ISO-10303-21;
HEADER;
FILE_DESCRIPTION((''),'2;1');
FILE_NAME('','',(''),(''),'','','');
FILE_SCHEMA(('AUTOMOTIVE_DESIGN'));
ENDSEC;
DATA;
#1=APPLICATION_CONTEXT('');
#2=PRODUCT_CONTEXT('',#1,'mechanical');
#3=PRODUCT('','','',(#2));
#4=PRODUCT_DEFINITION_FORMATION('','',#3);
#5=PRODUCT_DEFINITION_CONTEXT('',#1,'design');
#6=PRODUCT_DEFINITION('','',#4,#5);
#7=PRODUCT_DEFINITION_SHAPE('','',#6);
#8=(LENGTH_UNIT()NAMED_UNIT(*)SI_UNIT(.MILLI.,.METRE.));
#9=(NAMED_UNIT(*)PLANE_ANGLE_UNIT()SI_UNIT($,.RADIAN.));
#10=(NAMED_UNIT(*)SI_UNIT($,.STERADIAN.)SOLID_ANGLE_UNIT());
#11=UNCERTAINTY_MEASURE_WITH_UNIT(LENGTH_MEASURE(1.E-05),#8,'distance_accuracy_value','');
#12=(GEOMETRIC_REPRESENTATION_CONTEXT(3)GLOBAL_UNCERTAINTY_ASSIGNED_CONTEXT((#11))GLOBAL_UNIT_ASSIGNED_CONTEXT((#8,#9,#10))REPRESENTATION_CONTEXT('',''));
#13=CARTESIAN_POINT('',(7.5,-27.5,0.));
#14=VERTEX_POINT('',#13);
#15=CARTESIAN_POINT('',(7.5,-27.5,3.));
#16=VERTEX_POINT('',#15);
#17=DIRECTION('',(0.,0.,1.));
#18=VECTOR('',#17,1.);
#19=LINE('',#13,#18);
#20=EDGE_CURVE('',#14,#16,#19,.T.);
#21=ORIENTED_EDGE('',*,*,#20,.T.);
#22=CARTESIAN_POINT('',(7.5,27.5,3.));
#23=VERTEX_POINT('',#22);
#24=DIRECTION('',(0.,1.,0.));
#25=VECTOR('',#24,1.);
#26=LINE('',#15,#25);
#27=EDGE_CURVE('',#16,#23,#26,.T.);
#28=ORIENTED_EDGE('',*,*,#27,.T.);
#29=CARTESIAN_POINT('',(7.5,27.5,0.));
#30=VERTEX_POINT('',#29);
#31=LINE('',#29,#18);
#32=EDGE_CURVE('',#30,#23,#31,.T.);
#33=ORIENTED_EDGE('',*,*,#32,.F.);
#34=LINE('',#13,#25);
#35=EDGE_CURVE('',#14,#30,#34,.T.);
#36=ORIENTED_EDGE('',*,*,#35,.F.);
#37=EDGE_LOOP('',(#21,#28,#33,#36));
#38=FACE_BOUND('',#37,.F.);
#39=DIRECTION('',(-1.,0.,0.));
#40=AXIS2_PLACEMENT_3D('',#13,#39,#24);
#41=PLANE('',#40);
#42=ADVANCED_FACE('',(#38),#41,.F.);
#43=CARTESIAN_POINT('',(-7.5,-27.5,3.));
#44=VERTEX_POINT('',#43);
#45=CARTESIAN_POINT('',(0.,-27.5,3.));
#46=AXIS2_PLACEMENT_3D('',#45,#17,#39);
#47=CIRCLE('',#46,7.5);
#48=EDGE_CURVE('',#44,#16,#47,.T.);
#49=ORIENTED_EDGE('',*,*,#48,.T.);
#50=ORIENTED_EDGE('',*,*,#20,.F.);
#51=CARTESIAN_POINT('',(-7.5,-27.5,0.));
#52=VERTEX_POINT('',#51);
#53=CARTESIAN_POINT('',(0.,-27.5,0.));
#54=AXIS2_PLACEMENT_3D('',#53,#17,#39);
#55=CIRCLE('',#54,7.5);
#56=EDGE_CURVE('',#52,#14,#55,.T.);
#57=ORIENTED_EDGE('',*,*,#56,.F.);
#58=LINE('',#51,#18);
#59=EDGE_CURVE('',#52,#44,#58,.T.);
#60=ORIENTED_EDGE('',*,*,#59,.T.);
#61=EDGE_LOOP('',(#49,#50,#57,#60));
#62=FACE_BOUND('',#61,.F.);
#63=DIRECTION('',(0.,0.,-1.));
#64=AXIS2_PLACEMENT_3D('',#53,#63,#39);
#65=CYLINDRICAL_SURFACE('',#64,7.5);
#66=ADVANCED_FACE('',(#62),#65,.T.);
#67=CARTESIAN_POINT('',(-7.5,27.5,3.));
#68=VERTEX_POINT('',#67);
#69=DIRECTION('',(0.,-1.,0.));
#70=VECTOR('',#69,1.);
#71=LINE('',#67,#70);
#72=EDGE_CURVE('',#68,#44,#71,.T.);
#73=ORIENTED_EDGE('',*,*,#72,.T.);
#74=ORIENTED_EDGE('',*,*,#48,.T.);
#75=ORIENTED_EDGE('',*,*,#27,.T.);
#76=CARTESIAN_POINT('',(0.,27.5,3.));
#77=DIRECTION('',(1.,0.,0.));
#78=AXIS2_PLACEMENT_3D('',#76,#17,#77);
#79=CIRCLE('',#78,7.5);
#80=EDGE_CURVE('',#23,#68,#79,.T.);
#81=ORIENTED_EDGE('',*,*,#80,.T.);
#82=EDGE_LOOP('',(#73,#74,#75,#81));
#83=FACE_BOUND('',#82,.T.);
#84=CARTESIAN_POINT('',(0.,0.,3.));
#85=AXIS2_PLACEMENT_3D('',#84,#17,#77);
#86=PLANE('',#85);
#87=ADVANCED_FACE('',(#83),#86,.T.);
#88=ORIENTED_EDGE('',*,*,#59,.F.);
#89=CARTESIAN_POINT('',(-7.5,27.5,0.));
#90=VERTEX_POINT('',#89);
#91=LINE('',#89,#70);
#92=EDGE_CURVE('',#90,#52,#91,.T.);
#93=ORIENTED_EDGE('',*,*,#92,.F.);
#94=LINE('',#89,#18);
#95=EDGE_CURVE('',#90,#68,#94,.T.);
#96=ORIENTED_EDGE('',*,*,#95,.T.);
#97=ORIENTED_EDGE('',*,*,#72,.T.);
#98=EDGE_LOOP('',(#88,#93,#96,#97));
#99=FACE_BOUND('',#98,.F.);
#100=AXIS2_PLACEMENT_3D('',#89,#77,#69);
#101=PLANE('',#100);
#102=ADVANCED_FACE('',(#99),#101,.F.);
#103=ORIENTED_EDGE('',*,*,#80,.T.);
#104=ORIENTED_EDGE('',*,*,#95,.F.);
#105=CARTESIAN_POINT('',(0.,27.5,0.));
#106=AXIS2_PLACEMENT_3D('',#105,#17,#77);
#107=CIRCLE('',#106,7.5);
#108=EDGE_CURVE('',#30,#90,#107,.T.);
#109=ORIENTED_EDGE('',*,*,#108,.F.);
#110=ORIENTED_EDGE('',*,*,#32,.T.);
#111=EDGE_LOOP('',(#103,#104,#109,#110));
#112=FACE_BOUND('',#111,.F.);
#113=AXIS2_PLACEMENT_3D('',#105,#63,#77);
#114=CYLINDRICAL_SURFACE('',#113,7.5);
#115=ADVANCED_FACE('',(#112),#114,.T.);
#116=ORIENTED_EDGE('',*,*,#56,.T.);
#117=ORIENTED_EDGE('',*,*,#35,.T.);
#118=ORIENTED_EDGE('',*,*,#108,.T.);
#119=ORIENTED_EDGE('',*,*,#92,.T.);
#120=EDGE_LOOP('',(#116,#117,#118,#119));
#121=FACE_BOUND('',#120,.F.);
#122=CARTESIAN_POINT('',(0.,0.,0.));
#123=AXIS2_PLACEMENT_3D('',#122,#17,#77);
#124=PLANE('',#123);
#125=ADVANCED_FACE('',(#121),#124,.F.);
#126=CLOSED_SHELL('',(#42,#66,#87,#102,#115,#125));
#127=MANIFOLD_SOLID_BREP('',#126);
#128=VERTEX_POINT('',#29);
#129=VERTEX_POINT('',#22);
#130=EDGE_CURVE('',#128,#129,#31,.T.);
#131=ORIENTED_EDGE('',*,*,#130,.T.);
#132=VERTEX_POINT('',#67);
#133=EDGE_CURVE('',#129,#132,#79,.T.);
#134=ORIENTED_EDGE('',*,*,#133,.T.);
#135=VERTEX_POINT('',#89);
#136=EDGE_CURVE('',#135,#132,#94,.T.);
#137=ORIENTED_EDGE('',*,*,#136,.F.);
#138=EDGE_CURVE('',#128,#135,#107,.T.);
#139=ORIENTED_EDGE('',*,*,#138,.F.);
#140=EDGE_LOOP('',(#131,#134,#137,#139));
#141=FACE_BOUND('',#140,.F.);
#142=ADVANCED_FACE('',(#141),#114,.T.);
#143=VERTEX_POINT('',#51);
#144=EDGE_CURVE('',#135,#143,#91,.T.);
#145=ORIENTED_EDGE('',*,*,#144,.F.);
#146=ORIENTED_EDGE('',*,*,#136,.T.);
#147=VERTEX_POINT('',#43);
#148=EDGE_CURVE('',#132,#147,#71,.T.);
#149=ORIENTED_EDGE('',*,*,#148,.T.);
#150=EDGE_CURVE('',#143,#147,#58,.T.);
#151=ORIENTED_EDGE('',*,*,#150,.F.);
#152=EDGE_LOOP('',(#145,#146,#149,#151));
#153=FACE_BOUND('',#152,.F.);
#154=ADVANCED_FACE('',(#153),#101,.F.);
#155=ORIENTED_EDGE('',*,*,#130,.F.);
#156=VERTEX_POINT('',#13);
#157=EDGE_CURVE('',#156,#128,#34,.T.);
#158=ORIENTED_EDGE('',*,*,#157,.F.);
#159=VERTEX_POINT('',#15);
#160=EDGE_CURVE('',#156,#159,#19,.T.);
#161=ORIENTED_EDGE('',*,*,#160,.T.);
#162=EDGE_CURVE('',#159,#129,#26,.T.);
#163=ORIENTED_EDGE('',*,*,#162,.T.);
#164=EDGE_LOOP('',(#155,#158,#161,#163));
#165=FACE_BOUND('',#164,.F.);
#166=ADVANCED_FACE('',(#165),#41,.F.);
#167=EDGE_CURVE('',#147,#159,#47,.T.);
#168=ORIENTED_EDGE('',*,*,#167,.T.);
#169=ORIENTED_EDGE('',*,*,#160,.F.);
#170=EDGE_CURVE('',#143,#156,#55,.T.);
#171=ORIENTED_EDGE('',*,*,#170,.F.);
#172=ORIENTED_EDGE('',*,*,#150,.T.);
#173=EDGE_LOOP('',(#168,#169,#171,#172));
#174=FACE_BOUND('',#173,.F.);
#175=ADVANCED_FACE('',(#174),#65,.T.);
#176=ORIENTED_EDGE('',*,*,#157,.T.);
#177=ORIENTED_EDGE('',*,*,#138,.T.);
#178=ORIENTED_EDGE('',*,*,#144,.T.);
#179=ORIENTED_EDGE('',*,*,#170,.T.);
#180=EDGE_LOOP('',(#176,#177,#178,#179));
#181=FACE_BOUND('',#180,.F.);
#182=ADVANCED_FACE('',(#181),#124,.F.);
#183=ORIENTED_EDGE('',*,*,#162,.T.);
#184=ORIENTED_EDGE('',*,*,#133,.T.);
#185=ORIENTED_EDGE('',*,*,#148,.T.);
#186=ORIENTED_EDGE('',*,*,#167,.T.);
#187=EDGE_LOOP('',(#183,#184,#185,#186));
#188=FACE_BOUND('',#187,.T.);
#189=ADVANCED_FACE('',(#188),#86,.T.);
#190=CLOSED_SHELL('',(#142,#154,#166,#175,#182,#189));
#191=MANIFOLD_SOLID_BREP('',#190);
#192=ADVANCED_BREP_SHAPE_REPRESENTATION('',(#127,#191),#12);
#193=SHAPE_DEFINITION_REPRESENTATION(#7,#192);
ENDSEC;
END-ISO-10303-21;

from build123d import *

# Parameters (mm, degrees)
PAD_DEPTH    = 3
PAD001_DEPTH = 3


with BuildPart() as top:
    # Sketch → Pad (new body)
    with BuildSketch(Plane.XY):
        with BuildLine():
            ThreePointArc((7.5, 27.5), (0, 35), (-7.5, 27.5))
            Line((-7.5, 27.5), (-7.5, -27.5))
            ThreePointArc((-7.5, -27.5), (0, -35), (7.5, -27.5))
            Line((7.5, -27.5), (7.5, 27.5))
        make_face()
    extrude(amount=PAD_DEPTH)


with BuildPart() as bottom:
    # Sketch001 → Pad001 (new body)
    with BuildSketch(Plane.XY):
        with BuildLine():
            ThreePointArc((7.5, 27.5), (0, 35), (-7.5, 27.5))
            Line((-7.5, 27.5), (-7.5, -27.5))
            ThreePointArc((-7.5, -27.5), (0, -35), (7.5, -27.5))
            Line((7.5, -27.5), (7.5, 27.5))
        make_face()
    extrude(amount=PAD001_DEPTH)


solid = Compound([top.part, bottom.part])
